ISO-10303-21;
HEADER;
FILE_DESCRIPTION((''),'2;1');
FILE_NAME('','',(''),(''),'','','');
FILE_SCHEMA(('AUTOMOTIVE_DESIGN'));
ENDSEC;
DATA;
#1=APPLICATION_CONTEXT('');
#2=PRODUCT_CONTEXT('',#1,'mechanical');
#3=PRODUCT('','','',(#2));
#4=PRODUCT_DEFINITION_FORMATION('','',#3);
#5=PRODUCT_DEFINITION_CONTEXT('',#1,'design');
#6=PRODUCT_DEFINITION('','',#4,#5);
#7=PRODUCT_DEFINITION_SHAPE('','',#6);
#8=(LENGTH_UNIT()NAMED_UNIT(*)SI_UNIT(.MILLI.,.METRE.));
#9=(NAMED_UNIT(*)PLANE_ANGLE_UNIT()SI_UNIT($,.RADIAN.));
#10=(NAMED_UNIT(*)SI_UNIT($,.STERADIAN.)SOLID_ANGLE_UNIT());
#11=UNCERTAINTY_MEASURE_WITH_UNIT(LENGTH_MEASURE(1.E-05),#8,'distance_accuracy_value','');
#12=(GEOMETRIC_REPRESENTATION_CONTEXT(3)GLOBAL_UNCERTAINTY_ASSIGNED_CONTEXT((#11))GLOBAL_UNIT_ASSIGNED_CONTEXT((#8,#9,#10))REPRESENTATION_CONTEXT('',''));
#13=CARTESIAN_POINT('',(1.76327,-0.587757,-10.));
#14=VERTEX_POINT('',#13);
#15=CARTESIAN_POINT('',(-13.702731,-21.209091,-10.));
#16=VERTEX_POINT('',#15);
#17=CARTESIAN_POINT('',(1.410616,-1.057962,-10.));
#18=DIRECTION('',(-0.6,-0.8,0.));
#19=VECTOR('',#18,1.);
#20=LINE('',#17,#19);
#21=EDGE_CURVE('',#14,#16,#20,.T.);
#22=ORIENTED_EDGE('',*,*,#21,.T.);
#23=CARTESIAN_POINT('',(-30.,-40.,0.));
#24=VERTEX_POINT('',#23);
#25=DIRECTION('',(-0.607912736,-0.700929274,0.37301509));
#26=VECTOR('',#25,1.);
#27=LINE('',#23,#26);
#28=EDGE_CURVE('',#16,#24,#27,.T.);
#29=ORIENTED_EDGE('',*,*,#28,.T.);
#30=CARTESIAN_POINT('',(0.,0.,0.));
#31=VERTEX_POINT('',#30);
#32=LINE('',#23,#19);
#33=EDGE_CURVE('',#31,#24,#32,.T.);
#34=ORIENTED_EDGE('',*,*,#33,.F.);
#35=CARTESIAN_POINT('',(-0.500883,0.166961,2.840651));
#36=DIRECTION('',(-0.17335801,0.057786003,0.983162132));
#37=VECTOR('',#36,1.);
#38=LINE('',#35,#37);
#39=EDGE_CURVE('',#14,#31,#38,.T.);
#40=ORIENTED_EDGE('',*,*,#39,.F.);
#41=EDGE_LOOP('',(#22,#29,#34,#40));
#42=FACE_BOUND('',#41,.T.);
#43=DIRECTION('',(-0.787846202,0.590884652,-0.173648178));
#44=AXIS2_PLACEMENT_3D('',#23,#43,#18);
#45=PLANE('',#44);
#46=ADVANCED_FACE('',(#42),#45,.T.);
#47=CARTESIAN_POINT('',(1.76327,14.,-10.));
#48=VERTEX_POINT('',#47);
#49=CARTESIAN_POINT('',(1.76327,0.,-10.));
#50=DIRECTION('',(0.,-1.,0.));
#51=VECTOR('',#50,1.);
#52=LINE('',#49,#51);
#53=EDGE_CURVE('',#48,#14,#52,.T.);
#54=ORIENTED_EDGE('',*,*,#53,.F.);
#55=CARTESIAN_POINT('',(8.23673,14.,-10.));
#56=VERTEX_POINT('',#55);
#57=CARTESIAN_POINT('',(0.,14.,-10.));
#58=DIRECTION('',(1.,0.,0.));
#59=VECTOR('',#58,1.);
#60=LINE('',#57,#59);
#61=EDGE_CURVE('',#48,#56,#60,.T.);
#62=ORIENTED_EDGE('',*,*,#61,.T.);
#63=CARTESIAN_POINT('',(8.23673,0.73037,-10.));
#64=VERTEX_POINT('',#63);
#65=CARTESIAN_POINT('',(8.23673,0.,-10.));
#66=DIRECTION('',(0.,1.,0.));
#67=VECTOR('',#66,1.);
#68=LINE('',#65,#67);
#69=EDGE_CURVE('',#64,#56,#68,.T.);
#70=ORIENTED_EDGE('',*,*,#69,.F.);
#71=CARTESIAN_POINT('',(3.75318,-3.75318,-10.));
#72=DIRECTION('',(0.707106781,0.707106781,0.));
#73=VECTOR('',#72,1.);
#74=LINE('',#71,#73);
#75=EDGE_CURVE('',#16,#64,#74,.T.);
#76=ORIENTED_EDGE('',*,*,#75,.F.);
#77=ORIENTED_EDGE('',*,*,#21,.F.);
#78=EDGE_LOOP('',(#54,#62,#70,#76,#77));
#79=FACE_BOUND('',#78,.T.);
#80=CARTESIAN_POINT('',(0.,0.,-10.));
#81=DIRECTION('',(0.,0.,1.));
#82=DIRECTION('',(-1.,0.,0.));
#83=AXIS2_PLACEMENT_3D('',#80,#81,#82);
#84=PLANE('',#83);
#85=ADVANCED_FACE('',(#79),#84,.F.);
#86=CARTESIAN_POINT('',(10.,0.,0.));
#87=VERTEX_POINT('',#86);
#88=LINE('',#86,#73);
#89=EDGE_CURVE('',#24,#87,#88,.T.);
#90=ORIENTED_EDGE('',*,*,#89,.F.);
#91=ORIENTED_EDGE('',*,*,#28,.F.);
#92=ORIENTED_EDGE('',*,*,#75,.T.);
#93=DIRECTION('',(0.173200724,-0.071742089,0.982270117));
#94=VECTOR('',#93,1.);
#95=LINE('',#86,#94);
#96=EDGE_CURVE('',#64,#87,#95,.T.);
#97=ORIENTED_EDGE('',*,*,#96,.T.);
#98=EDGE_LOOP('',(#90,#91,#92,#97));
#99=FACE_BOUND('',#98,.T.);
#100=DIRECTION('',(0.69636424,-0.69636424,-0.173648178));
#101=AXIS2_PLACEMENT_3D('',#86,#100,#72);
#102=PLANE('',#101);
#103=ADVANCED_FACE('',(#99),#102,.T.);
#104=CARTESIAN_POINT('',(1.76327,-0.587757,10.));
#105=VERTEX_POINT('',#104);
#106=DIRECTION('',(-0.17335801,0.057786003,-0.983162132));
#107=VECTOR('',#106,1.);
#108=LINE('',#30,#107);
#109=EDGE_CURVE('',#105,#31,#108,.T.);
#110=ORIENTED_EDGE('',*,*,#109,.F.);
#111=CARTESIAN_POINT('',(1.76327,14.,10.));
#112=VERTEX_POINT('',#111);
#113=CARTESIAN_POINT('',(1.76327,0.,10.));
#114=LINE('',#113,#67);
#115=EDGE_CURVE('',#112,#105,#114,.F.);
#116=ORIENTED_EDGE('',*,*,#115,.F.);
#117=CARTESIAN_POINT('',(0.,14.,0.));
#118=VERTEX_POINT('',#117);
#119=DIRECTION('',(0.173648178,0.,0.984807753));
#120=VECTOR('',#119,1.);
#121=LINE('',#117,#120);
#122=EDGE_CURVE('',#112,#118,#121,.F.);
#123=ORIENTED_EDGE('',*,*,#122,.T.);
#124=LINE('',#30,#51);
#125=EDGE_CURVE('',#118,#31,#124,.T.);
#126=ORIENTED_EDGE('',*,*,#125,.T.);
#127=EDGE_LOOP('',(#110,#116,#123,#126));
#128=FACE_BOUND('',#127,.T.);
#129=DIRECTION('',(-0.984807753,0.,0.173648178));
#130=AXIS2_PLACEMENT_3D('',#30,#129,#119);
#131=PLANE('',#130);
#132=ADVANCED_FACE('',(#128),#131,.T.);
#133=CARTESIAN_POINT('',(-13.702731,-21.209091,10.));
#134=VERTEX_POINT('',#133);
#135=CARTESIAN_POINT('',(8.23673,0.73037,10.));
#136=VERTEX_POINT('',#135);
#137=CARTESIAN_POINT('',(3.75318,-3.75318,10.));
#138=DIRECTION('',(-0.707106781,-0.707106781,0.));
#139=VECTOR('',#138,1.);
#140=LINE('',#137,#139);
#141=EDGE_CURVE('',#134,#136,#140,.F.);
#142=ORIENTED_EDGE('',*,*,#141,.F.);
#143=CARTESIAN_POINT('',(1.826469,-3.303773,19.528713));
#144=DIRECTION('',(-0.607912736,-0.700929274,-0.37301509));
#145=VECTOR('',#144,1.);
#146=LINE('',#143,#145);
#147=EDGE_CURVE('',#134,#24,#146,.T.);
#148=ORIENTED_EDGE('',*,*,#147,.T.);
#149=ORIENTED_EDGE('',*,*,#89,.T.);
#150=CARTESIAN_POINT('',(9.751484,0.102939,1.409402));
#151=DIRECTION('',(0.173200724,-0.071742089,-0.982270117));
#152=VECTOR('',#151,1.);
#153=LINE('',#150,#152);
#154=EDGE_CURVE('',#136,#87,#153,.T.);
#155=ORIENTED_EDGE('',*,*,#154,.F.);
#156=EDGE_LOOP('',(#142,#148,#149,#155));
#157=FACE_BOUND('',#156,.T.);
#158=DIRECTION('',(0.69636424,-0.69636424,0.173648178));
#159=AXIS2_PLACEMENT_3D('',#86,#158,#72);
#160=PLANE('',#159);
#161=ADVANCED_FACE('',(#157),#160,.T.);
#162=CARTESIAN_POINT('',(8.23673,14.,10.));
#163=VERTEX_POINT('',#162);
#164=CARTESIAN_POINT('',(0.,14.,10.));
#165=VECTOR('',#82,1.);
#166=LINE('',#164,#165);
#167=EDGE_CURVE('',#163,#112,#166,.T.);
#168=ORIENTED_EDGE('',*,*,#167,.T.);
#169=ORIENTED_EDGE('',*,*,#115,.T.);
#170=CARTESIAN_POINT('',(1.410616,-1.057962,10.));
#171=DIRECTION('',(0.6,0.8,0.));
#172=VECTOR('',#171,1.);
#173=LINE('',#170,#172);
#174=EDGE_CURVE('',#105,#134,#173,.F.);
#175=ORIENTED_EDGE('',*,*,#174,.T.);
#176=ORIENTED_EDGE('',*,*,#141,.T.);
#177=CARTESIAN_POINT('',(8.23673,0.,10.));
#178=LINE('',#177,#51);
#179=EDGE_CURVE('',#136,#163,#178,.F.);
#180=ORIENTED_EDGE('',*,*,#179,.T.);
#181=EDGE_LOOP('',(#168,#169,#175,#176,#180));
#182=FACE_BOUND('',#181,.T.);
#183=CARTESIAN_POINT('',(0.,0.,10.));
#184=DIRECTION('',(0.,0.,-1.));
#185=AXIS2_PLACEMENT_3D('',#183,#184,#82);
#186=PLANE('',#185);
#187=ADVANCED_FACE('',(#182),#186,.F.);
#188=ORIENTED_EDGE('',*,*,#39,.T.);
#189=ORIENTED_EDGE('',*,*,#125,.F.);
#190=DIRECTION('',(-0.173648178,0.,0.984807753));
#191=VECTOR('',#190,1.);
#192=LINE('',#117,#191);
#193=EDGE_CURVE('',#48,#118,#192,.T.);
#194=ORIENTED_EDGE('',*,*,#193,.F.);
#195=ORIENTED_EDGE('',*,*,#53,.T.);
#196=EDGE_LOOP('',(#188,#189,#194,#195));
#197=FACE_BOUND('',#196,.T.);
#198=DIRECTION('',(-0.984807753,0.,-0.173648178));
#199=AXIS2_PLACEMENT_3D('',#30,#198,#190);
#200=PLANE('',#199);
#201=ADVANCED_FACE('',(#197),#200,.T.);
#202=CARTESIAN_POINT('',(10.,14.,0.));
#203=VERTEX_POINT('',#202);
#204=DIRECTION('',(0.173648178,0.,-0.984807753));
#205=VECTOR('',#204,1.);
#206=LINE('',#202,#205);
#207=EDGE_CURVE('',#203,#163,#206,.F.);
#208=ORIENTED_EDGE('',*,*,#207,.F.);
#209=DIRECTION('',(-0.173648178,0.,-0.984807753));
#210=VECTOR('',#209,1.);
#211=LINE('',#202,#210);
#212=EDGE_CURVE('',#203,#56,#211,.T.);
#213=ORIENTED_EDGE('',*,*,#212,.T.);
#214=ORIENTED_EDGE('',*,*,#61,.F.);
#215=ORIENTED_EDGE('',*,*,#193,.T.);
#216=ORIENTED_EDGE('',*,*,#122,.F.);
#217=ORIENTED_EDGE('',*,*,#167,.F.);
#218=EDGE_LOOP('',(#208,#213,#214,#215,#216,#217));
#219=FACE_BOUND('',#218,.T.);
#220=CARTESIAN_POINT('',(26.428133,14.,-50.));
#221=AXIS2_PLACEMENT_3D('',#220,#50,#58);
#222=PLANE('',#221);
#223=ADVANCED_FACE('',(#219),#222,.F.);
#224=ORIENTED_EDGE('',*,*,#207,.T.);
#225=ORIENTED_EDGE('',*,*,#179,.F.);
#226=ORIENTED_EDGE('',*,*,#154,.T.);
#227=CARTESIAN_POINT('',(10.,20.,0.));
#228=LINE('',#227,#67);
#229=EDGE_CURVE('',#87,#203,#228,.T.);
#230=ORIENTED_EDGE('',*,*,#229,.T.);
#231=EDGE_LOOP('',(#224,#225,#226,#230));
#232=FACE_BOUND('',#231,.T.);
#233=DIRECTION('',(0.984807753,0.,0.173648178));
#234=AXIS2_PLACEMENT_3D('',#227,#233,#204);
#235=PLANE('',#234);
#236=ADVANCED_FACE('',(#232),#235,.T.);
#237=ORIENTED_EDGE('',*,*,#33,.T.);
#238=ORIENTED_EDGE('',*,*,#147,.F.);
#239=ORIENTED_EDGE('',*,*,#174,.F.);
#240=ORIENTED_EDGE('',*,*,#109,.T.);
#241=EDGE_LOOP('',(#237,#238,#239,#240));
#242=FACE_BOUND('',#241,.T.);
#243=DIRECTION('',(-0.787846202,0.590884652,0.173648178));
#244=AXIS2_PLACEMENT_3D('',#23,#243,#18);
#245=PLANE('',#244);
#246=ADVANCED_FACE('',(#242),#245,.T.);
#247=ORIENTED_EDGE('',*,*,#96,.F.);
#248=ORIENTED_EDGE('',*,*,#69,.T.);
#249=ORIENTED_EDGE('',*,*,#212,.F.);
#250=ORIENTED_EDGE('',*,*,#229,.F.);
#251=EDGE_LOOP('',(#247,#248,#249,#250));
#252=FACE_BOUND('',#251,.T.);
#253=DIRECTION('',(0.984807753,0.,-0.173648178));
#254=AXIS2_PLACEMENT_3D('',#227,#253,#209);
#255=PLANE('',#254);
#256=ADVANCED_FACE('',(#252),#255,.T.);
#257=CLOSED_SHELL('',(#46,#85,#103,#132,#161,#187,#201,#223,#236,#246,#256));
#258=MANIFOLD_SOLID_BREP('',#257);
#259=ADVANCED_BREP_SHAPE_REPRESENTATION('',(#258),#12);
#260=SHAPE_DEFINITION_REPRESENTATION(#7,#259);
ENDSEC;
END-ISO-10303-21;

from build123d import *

# Parameters (mm, degrees)
EXTRUDE_1_DEPTH       = 10
EXTRUDE_1_DRAFT       = 10
MIRROR_1_COPY_1_DEPTH = 10
MIRROR_1_COPY_1_DRAFT = 10
SKETCH_4_W            = 44.504913076
SKETCH_4_H            = 42.19047619
CUT_EXTRUDE_4_DEPTH   = 50


with BuildPart() as part:
    # 草图2 → 凸台-拉伸1 (with draft: the straight prism first)
    with BuildSketch(Plane.XY):
        Polygon((0, 0), (-30, -40), (10, 0), (10, 20), (0, 20), align=None)
    extrude(amount=EXTRUDE_1_DEPTH)
    # 凸台-拉伸1: the draft: its side faces are tilted about the plane it starts from
    extrude_1_sides = [part.faces().sort_by_distance(p)[0] for p in [
        (-15, -20, 5),
        (-10, -20, 5),
        (10, 10, 5),
        (5, 20, 5),
        (0, 10, 5),
    ]]
    draft(extrude_1_sides, Plane.XY, EXTRUDE_1_DRAFT)


with BuildPart() as mirror_1_copy_1_tool:
    # 镜向1 copy 1 sketch → 镜向1 copy 1 (with draft: the straight prism first)
    with BuildSketch(Plane(origin=(0, 0, 0), x_dir=(1, 0, 0), z_dir=(0, 0, -1))):
        Polygon((0, 0), (-30, 40), (10, 0), (10, -20), (0, -20), align=None)
    extrude(amount=MIRROR_1_COPY_1_DEPTH)
    # 镜向1 copy 1: the draft: its side faces are tilted about the plane it starts from
    mirror_1_copy_1_sides = [mirror_1_copy_1_tool.faces().sort_by_distance(p)[0] for p in [
        (-15, -20, -5),
        (-10, -20, -5),
        (10, 10, -5),
        (5, 20, -5),
        (0, 10, -5),
    ]]
    draft(mirror_1_copy_1_sides, Plane(origin=(0, 0, 0), x_dir=(1, 0, 0), z_dir=(0, 0, -1)), MIRROR_1_COPY_1_DRAFT)


with BuildPart() as part_1:
    add(part.part)

    # 镜向1 copy 1: add mirror_1_copy_1_tool
    add(mirror_1_copy_1_tool.part)

    # 草图4 → 切除-拉伸4 (cut, symmetric)
    with BuildSketch(Plane.XY):
        with Locations((4.175676145, 35.095238095)):
            Rectangle(SKETCH_4_W, SKETCH_4_H)
    extrude(amount=CUT_EXTRUDE_4_DEPTH, both=True, mode=Mode.SUBTRACT)


solid = part_1.part
